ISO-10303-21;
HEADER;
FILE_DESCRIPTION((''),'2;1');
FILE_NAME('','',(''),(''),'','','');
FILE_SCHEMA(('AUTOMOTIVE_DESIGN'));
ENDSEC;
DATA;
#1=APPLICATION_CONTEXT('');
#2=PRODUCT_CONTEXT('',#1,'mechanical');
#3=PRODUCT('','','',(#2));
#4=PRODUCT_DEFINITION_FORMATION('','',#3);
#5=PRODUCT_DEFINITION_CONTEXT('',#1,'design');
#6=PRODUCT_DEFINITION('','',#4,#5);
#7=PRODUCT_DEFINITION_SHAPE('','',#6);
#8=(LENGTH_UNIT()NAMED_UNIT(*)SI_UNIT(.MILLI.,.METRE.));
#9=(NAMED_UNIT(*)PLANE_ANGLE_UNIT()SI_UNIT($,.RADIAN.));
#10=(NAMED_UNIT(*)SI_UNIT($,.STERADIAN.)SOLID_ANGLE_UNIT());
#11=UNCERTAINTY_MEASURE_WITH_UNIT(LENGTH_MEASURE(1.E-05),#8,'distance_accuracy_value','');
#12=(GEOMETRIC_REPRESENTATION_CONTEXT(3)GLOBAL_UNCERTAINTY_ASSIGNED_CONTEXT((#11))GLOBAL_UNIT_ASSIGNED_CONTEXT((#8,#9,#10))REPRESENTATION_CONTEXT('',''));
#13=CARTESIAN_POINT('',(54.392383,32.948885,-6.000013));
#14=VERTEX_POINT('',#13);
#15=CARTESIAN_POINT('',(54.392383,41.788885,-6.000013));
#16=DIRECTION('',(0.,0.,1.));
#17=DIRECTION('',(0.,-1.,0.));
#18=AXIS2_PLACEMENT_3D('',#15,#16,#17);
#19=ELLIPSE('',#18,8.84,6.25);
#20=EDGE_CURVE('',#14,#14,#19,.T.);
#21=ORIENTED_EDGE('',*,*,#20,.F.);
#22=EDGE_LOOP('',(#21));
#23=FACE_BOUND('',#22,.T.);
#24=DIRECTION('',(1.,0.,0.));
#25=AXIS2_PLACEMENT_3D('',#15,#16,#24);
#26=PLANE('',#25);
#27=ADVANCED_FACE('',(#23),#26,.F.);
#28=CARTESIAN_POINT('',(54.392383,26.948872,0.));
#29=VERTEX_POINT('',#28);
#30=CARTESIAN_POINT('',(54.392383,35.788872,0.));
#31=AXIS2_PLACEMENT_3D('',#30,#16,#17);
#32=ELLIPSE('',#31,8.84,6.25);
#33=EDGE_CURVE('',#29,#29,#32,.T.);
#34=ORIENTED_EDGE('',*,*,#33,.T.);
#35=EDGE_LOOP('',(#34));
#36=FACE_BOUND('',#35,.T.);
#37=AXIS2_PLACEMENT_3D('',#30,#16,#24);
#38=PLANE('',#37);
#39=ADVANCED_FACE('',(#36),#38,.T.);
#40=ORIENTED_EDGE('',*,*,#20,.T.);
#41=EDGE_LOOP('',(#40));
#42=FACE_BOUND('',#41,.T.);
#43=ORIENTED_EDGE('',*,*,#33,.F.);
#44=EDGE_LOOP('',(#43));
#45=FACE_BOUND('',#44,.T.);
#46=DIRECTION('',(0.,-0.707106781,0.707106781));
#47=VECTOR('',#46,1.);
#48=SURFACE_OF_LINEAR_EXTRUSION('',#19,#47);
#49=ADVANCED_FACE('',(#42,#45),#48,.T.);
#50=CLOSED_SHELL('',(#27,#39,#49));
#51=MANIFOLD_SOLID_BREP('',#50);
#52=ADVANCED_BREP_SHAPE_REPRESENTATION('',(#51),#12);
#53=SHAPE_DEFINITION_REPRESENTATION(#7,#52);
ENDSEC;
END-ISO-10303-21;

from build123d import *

# Parameters (mm, degrees)
SKETCH_1_RX     = 8.84
SKETCH_1_RY     = 6.25
EXTRUDE_2_DEPTH = 8.4853


with BuildPart() as part:
    # 草图1 → 凸台-拉伸2 (new body, along a direction that is not the sketch's normal)
    with BuildSketch(Plane.XY):
        with Locations(Location((54.392382982, 35.78887153), (0, 0, -90))):
            Ellipse(SKETCH_1_RX, SKETCH_1_RY)
    extrude(amount=-EXTRUDE_2_DEPTH, dir=(0, -0.707106781, 0.707106781))


solid = part.part
